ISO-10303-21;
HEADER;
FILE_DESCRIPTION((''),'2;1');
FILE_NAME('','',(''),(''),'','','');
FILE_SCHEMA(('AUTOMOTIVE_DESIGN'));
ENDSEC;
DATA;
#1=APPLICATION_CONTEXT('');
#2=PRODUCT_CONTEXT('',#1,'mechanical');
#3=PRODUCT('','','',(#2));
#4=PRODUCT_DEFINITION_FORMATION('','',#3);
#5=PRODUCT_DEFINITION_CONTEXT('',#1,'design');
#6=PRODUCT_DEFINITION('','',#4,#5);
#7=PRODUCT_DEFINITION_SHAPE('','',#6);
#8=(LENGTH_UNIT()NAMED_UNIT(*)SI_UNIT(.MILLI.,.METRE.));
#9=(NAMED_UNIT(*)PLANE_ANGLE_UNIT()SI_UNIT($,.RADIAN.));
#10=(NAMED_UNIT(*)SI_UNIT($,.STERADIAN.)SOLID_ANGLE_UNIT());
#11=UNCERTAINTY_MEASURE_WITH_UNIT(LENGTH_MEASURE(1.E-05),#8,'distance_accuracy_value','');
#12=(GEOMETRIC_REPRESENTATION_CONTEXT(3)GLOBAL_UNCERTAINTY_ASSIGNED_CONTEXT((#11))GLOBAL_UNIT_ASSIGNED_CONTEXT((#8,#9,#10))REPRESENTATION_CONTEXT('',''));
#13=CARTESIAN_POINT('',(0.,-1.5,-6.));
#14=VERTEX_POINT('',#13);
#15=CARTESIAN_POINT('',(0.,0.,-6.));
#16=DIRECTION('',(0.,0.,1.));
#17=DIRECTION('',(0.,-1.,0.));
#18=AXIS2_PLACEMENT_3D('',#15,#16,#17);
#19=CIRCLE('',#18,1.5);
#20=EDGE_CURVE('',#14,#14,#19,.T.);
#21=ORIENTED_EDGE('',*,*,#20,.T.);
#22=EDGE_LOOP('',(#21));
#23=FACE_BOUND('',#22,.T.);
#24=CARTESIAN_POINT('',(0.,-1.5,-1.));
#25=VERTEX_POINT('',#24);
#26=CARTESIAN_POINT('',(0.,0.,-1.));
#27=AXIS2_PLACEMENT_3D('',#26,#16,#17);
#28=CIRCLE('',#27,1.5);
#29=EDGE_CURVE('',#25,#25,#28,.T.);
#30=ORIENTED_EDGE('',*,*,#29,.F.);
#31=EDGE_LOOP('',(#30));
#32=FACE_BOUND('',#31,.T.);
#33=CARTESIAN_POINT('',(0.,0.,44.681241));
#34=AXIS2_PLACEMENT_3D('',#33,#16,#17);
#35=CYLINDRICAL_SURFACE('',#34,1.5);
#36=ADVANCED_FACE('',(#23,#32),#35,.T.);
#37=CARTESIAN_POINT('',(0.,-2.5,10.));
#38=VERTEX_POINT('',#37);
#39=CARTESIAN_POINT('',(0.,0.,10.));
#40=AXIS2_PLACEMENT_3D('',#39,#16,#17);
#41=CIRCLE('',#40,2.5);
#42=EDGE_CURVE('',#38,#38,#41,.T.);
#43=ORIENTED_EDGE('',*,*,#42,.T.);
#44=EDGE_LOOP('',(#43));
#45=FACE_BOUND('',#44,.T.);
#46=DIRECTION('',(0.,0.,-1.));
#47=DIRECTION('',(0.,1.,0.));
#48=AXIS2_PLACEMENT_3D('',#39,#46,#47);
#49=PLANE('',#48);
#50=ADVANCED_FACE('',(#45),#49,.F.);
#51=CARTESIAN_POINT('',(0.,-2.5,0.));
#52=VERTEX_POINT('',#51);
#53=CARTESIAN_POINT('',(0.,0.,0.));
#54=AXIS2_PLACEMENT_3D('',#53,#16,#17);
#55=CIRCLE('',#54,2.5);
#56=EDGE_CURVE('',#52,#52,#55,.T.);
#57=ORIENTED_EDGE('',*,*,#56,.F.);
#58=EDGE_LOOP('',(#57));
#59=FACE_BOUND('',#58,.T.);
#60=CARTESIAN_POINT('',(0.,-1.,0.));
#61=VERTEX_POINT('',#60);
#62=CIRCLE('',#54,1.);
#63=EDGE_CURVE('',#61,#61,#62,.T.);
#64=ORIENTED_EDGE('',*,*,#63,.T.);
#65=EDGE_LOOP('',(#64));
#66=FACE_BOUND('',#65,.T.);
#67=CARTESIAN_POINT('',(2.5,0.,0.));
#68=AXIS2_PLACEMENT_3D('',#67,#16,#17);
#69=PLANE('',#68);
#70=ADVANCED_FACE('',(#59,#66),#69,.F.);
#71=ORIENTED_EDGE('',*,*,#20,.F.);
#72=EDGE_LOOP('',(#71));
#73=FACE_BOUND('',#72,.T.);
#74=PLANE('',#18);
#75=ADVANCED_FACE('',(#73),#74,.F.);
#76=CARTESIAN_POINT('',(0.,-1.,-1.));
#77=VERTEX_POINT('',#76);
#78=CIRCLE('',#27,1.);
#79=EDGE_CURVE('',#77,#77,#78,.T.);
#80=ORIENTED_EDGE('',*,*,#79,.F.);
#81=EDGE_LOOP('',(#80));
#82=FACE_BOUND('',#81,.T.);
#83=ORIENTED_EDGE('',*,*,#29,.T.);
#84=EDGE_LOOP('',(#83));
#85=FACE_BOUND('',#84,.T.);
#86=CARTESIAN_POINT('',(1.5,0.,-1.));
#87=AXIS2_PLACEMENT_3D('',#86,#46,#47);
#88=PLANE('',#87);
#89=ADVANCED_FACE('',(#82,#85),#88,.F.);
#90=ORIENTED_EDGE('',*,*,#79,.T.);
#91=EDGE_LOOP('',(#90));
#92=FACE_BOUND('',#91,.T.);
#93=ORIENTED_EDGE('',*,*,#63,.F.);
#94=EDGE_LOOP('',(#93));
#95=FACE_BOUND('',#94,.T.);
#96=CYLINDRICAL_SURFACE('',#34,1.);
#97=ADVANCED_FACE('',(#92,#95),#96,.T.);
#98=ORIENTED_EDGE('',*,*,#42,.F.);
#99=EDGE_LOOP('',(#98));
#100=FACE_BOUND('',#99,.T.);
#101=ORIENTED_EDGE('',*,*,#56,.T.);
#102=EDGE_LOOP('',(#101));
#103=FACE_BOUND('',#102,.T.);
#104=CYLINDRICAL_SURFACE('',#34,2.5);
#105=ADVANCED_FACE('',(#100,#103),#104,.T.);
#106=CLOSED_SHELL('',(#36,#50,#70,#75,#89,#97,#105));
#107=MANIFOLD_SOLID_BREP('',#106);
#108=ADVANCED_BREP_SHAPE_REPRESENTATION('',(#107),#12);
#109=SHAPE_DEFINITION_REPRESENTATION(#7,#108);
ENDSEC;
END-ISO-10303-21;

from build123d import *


with BuildPart() as part:
    # Sketch1 → Revolve1 (revolve)
    with BuildSketch(Plane.XZ):
        Polygon((0, 10), (2.5, 10), (2.5, 0), (1, 0), (1, -1), (1.5, -1), (1.5, -6), (0, -6), align=None)
    revolve(axis=Axis((0, 0, 44.681241357), (0, 0, -1)))


solid = part.part
